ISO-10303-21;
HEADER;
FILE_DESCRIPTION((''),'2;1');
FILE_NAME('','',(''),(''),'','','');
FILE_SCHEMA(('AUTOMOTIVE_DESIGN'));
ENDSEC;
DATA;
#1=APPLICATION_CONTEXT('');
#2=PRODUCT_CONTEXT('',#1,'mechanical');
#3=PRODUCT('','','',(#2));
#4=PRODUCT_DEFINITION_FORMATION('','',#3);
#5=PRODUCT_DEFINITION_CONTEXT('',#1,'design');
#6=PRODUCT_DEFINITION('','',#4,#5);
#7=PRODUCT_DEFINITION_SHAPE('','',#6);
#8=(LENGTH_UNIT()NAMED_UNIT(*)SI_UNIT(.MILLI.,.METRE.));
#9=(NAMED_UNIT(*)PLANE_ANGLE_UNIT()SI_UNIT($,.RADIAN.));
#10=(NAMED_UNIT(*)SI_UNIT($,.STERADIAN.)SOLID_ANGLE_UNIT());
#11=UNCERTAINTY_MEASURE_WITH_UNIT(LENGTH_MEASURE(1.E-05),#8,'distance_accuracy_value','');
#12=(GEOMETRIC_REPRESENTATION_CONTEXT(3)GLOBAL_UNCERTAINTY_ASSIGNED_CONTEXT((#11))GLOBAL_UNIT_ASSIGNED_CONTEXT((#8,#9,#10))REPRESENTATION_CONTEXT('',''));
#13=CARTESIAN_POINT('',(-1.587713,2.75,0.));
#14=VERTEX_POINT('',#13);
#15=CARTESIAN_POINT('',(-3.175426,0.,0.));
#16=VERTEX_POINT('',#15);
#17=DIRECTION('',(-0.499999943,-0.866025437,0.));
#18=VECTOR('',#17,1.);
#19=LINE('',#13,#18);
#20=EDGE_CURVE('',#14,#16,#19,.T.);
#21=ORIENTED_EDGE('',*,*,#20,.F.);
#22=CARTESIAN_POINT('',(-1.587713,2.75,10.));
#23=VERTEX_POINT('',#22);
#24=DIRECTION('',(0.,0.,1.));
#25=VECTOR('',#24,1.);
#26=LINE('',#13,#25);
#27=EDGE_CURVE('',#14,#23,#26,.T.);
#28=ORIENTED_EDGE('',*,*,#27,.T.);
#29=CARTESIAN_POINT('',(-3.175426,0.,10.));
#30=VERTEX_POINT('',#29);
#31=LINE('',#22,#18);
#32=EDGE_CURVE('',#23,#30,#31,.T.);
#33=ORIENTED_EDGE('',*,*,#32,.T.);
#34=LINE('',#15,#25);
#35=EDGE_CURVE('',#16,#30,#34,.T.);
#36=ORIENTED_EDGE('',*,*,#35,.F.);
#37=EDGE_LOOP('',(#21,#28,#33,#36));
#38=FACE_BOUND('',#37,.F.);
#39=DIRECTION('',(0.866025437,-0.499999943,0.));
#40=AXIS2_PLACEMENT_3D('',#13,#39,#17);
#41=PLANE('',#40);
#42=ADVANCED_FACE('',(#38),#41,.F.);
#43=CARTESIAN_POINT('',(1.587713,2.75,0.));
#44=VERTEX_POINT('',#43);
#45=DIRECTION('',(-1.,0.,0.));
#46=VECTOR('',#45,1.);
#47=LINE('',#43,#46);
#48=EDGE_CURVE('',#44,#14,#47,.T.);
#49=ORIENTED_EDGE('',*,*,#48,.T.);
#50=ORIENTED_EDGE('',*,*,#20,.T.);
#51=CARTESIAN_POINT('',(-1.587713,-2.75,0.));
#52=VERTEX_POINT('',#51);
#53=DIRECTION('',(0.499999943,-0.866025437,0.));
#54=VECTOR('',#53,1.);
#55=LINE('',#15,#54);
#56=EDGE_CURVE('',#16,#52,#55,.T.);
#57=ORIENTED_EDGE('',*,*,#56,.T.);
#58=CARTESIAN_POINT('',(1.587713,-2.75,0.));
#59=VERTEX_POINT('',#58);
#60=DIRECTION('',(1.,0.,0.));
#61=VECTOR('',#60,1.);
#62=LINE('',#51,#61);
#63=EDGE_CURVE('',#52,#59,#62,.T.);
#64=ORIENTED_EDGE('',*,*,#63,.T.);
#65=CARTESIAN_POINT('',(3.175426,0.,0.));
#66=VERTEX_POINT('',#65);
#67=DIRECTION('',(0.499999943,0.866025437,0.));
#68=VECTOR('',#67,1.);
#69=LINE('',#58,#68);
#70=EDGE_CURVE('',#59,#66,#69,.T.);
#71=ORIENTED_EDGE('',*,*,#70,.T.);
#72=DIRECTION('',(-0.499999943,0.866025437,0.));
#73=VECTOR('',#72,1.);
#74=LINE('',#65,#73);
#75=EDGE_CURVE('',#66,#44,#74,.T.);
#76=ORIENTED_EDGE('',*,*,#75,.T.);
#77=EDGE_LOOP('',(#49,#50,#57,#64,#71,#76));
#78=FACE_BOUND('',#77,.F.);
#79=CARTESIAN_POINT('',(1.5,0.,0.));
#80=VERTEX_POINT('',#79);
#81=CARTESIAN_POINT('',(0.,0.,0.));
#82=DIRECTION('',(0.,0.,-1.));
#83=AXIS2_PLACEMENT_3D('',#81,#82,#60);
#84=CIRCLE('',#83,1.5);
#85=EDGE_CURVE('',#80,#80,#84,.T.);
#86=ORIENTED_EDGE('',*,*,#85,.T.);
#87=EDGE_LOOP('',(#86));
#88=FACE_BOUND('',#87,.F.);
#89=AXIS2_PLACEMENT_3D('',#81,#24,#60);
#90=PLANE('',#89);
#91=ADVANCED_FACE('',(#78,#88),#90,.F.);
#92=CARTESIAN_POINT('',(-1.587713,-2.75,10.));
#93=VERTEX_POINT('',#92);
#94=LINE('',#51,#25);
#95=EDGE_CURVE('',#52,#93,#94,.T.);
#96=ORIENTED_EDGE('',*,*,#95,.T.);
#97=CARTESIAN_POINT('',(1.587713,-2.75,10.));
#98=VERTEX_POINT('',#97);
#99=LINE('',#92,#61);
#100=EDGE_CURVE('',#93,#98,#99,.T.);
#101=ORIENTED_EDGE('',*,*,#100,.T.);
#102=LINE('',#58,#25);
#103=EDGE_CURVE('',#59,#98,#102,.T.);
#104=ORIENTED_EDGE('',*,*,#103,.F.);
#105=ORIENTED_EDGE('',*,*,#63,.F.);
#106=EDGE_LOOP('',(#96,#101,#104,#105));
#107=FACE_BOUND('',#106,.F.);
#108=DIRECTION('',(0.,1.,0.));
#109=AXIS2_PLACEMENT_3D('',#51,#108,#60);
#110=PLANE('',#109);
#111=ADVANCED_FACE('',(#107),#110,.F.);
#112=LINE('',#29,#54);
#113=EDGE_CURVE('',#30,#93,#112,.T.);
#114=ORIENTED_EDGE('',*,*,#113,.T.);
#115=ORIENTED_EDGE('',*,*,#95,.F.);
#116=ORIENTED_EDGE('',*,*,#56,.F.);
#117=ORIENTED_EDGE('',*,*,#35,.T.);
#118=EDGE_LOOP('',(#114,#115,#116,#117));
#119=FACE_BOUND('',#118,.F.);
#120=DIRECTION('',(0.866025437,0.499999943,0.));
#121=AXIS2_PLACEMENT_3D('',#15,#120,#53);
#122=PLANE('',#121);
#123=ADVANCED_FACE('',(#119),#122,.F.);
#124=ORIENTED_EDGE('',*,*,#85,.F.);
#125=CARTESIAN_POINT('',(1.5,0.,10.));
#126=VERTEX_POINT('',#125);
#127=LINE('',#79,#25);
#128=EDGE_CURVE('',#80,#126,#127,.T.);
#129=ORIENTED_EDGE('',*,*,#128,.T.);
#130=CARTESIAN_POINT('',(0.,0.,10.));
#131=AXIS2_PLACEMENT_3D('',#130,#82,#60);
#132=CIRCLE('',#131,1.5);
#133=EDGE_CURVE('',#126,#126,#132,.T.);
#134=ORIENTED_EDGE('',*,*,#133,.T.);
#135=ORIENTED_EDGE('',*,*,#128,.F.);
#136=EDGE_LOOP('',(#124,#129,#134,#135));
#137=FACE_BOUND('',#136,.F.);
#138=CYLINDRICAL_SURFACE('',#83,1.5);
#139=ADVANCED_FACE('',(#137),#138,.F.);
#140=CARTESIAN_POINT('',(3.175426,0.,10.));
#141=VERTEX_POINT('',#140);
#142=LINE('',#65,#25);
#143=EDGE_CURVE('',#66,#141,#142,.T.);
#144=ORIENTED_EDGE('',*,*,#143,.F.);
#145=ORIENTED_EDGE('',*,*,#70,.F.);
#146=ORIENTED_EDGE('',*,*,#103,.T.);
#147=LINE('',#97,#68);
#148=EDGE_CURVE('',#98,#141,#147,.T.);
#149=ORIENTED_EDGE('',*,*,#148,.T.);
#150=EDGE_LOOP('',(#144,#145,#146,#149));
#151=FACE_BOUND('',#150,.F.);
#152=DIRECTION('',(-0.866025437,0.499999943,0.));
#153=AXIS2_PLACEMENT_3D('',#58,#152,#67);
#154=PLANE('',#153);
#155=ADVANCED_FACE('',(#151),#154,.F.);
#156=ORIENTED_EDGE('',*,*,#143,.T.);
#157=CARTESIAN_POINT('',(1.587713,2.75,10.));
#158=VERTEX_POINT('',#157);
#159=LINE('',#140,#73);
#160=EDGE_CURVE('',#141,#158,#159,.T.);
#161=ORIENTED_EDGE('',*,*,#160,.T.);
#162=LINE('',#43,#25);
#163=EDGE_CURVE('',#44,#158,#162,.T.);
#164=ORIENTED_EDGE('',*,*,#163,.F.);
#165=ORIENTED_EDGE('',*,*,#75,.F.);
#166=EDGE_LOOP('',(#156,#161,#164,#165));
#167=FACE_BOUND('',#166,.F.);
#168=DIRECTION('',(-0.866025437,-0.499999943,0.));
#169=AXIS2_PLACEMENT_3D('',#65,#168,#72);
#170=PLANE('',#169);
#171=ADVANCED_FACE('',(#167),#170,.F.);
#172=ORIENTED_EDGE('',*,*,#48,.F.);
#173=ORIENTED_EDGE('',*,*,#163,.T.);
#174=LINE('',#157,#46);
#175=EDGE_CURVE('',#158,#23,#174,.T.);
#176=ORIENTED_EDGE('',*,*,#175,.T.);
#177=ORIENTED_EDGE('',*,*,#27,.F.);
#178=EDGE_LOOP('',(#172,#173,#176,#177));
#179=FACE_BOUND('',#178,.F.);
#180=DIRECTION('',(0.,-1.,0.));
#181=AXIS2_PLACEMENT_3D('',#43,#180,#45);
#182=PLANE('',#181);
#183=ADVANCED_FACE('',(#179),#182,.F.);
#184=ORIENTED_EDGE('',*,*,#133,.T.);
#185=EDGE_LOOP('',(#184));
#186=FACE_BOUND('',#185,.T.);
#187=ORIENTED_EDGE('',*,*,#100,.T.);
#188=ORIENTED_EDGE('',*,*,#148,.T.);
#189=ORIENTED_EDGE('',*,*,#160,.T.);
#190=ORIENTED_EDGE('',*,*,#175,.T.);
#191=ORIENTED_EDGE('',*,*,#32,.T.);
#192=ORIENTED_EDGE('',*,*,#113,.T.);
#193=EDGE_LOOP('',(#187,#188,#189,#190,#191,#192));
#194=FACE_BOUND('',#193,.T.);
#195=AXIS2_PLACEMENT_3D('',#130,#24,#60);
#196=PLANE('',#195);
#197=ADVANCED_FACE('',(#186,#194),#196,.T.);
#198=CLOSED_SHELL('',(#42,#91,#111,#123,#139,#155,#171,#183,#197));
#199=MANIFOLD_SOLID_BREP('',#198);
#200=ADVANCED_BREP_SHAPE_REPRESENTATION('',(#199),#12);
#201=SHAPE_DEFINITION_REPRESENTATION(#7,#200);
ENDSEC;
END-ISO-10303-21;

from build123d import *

# Parameters (mm, degrees)
PAD_DEPTH    = 10
SKETCH002_R  = 1.5
POCKET_DEPTH = 10


with BuildPart() as part:
    # Sketch → Pad (new body)
    with BuildSketch(Plane.XY):
        Polygon((1.587713, -2.75), (3.175426, 0), (1.587713, 2.75), (-1.587713, 2.75), (-3.175426, 0), (-1.587713, -2.75), align=None)
    extrude(amount=PAD_DEPTH)

    # Sketch002 → Pocket (cut)
    with BuildSketch(Plane(origin=(0, 0, 0), x_dir=(1, 0, 0), z_dir=(0, 0, -1))):
        Circle(SKETCH002_R)
    extrude(amount=-POCKET_DEPTH, mode=Mode.SUBTRACT)


solid = part.part
